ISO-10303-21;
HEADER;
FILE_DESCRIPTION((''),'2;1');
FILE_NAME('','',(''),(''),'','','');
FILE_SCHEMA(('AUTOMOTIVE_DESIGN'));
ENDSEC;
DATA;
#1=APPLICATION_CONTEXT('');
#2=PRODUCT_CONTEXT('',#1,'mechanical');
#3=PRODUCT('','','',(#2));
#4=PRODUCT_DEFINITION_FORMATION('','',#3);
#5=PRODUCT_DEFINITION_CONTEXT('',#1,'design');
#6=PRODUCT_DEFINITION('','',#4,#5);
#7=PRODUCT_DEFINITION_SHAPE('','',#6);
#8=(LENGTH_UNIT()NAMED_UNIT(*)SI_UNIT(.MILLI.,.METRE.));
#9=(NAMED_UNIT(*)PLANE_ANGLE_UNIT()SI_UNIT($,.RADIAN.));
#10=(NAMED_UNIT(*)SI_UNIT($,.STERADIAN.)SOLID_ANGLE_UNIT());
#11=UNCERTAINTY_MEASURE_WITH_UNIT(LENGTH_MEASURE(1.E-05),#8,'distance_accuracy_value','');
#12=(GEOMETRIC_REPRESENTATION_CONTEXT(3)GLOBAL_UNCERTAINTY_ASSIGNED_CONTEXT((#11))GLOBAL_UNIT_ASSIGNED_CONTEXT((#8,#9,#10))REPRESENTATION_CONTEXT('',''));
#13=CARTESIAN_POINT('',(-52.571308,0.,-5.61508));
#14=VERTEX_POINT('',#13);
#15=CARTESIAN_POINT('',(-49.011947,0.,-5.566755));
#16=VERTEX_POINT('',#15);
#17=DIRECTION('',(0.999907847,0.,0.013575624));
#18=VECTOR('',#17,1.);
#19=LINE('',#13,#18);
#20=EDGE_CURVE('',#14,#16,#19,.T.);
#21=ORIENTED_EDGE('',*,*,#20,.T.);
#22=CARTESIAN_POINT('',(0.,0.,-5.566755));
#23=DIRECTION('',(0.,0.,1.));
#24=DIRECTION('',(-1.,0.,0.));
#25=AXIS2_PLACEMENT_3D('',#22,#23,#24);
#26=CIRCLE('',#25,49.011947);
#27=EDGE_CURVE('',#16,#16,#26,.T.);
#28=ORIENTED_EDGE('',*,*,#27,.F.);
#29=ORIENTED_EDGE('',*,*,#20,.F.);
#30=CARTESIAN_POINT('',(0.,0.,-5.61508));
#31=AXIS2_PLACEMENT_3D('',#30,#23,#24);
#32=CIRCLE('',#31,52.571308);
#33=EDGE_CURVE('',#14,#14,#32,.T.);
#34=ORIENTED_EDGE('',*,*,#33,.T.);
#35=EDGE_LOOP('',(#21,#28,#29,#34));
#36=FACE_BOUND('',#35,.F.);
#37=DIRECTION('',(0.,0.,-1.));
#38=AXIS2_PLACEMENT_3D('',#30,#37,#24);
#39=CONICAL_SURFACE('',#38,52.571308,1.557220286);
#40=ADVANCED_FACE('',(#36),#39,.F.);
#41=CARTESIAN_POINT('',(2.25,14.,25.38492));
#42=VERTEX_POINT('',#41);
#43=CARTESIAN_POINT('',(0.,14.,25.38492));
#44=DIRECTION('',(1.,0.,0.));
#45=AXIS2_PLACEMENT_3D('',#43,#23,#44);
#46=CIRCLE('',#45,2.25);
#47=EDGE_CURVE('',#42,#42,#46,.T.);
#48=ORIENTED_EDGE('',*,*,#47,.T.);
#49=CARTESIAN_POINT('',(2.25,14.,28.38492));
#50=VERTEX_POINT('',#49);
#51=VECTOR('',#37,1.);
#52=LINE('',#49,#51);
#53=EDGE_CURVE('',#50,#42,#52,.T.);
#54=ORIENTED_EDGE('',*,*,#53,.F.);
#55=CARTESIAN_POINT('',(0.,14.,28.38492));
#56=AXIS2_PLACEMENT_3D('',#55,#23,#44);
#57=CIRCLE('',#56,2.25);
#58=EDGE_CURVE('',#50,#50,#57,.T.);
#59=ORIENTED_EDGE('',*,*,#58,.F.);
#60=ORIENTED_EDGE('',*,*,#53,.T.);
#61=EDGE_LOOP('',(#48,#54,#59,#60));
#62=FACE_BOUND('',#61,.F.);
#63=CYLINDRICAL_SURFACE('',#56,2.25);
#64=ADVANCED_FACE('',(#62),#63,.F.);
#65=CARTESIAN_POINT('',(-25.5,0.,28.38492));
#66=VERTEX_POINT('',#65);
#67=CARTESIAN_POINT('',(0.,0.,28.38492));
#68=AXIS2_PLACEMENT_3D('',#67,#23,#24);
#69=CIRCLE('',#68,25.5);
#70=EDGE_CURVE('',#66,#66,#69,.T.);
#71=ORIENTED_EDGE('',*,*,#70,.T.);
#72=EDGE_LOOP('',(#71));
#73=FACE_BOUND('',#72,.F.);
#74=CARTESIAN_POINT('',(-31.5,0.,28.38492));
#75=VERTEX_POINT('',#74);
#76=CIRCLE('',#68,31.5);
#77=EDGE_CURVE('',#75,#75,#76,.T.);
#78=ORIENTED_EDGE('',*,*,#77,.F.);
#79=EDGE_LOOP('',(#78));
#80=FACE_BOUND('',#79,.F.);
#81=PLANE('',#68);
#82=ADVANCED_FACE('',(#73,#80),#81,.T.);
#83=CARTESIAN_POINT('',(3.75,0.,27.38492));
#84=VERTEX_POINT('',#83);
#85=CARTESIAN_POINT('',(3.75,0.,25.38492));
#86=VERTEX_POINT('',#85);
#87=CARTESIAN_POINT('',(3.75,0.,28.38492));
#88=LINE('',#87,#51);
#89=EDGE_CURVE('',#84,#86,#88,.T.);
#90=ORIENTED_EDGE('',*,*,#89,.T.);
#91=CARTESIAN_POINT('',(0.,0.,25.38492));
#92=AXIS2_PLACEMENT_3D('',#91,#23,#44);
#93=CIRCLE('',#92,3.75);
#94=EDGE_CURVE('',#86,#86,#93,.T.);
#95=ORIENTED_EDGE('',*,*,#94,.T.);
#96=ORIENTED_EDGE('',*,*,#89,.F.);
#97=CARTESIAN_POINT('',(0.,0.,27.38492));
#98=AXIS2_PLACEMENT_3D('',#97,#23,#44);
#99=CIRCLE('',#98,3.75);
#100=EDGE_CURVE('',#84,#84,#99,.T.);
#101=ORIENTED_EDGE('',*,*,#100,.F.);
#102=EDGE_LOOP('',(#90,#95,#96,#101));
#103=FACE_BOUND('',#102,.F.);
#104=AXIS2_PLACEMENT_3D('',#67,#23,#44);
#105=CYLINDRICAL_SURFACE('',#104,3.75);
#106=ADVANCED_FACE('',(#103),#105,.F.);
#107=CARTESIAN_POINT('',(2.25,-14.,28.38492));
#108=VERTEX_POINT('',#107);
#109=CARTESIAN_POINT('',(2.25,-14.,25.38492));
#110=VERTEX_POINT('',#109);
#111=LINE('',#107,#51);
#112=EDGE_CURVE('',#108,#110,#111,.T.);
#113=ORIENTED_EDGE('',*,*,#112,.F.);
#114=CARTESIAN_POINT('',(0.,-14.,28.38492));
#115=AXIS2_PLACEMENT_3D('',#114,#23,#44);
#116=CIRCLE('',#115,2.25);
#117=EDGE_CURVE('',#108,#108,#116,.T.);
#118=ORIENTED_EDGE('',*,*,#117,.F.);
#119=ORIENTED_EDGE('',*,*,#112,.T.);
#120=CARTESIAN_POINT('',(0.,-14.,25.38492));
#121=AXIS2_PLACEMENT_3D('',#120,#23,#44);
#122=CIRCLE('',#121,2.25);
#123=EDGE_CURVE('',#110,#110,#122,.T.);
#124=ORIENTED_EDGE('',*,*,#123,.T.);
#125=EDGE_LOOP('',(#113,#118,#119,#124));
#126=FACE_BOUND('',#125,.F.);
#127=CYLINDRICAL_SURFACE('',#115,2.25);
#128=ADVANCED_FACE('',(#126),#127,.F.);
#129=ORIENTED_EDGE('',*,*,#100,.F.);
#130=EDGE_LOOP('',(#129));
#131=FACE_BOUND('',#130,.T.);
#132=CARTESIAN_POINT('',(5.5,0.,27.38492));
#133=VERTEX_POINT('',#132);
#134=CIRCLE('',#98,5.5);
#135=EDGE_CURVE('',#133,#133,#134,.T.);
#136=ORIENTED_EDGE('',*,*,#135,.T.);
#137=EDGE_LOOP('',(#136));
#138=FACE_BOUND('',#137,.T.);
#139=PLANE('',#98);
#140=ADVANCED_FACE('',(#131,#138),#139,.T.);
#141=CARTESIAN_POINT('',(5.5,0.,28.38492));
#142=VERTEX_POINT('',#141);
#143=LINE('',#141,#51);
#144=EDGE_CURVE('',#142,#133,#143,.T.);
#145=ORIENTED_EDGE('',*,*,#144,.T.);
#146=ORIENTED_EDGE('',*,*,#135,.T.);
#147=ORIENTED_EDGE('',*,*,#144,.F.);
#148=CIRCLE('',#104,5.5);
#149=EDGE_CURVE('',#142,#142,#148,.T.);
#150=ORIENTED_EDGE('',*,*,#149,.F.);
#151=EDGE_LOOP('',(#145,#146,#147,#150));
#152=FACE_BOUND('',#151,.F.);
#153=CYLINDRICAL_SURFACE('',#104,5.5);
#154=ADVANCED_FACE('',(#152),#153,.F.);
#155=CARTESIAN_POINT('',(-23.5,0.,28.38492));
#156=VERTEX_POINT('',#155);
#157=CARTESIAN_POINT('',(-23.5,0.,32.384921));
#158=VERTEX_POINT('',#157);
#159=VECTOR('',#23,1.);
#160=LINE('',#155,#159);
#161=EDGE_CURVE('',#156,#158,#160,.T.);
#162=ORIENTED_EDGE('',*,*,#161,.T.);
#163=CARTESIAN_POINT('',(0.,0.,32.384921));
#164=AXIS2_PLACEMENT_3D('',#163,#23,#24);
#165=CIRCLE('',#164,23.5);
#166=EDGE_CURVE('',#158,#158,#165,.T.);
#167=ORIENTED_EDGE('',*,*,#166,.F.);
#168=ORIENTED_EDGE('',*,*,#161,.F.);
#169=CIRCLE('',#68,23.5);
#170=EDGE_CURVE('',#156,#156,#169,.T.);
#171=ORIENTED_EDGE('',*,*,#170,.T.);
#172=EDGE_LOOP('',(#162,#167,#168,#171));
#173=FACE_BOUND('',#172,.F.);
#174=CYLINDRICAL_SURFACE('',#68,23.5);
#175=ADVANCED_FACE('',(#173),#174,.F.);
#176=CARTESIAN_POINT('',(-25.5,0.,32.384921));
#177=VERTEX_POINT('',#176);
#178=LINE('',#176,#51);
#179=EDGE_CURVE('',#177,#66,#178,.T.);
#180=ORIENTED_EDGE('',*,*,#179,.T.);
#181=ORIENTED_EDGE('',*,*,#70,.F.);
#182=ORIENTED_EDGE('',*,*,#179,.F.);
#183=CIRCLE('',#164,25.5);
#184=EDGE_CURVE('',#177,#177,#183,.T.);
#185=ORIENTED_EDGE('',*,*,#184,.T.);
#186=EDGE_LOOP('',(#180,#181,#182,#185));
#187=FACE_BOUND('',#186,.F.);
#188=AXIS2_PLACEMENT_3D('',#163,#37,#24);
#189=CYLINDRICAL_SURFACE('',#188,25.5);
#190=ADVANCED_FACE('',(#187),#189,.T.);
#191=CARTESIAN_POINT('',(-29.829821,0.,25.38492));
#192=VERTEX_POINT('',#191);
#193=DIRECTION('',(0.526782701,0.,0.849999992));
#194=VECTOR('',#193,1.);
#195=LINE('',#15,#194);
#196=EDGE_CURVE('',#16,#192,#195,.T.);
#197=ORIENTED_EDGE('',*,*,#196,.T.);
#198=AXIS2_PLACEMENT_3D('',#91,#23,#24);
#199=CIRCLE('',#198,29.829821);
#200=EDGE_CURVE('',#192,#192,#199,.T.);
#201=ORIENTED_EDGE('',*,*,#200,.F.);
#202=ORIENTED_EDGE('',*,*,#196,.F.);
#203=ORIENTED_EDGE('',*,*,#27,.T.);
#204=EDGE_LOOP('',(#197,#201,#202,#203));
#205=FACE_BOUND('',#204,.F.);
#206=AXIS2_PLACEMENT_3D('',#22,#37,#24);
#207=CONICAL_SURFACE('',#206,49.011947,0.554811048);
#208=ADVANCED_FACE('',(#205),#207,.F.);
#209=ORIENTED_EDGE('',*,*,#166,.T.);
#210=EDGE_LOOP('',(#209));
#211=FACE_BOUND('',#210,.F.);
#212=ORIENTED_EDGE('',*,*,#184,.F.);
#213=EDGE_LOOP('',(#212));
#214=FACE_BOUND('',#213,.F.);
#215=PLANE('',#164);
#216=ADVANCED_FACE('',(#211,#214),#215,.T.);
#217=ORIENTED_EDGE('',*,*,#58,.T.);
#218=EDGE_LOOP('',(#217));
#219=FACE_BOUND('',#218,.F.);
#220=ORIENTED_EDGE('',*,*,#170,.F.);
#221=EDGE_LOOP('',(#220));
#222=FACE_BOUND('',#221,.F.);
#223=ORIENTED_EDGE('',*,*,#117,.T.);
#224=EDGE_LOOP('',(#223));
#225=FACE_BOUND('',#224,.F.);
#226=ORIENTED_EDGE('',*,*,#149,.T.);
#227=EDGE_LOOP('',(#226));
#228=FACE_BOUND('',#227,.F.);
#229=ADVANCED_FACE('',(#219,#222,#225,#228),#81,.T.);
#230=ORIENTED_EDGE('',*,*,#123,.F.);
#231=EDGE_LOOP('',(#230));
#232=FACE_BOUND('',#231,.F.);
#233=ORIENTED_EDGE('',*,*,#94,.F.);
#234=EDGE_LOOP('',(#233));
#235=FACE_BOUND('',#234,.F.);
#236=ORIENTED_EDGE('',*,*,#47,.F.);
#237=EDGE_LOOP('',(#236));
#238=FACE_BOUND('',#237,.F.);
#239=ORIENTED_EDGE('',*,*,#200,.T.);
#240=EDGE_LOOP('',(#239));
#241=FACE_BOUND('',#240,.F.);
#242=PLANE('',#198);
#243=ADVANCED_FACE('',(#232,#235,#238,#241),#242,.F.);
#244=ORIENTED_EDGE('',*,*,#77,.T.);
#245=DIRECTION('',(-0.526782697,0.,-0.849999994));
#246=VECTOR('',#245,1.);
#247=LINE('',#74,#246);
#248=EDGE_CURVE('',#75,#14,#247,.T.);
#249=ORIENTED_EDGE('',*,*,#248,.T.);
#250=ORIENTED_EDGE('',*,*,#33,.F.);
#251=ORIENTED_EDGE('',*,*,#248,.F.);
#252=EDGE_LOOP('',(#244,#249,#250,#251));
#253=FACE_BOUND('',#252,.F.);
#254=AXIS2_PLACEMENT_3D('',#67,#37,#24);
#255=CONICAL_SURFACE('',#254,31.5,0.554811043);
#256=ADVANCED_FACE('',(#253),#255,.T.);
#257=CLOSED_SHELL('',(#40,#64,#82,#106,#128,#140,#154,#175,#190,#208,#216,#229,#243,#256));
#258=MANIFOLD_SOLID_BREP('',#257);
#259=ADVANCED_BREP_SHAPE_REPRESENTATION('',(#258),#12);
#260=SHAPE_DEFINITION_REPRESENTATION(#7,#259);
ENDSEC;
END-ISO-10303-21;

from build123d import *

# Parameters (mm, degrees)
F2_R     = 3.75
F2_R_2   = 2.25
F3_DEPTH = 25
F4_R     = 5.5
F5_DEPTH = 1


with BuildPart() as f1:
    # F0 (on Front) → F1 (revolve)
    with BuildSketch(Plane.XZ):
        Polygon((-23.5, 28.38492), (-23.5, 32.384921), (-25.5, 32.384921), (-25.5, 28.38492), (-31.5, 28.38492), (-52.571308, -5.61508), (-49.011947, -5.566755), (-29.829821, 25.38492), (0, 25.38492), (0, 28.38492), align=None)
    revolve(axis=Axis((0, 0, 26.88492), (0, 0, 1)))

    # F2 (on face) → F3 (cut)
    with BuildSketch(Plane.XY.offset(28.38492)):
        Circle(F2_R)
        with Locations((0, -14)):
            Circle(F2_R_2)
        with Locations((0, 14)):
            Circle(F2_R_2)
    extrude(amount=-F3_DEPTH, mode=Mode.SUBTRACT)

    # F4 (on face) → F5 (cut)
    with BuildSketch(Plane.XY.offset(28.38492)):
        Circle(F4_R)
    extrude(amount=-F5_DEPTH, mode=Mode.SUBTRACT)


solid = f1.part
